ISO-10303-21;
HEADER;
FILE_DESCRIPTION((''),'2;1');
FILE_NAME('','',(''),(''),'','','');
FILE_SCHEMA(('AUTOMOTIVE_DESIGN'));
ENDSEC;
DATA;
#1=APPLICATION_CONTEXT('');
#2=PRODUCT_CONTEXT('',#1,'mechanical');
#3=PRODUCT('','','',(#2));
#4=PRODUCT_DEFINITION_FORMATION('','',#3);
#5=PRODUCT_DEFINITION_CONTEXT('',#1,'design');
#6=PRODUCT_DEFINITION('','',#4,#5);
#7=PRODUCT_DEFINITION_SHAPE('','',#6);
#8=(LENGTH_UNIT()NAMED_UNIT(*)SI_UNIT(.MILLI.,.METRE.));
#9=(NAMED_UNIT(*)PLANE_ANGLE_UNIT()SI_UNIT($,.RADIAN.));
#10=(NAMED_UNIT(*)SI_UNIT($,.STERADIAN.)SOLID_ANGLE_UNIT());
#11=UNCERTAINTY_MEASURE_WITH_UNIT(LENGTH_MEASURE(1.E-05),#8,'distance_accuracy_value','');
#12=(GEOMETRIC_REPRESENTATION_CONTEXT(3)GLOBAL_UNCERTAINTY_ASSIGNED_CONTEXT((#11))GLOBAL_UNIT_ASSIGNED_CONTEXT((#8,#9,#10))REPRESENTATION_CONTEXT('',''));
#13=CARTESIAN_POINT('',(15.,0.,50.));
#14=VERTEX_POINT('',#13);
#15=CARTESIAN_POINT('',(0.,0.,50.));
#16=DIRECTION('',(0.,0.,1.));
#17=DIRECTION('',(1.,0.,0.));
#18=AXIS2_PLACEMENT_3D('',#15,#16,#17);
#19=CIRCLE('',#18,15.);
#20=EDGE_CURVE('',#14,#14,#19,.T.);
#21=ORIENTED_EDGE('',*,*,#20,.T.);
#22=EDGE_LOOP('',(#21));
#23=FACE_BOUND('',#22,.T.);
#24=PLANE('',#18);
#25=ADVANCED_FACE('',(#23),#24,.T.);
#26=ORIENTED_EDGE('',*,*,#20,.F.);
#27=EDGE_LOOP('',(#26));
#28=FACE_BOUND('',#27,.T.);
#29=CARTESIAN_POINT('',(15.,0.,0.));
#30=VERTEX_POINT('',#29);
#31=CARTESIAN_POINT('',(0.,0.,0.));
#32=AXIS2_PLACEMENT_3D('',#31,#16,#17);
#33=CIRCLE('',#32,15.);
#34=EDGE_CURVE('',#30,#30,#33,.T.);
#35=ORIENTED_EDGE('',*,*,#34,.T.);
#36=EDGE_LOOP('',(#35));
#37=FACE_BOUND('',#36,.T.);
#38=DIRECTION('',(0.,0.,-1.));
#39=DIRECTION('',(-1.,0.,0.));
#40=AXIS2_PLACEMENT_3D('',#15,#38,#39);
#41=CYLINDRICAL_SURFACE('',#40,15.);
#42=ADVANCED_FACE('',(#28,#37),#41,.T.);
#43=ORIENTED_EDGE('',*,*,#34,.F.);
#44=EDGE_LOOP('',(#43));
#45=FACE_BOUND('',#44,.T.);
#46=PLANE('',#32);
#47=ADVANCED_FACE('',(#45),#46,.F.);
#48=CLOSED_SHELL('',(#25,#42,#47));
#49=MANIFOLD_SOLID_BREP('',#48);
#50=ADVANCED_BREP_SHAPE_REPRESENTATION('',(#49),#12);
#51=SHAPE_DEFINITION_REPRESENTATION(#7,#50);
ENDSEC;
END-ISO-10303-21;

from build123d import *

# Parameters (mm, degrees)
ESQUISSE1_R        = 15
BOSS_EXTRU_1_DEPTH = 50


with BuildPart() as part:
    # Esquisse1 → Boss.-Extru.1 (new body)
    with BuildSketch(Plane.XY):
        Circle(ESQUISSE1_R)
    extrude(amount=BOSS_EXTRU_1_DEPTH)


solid = part.part
